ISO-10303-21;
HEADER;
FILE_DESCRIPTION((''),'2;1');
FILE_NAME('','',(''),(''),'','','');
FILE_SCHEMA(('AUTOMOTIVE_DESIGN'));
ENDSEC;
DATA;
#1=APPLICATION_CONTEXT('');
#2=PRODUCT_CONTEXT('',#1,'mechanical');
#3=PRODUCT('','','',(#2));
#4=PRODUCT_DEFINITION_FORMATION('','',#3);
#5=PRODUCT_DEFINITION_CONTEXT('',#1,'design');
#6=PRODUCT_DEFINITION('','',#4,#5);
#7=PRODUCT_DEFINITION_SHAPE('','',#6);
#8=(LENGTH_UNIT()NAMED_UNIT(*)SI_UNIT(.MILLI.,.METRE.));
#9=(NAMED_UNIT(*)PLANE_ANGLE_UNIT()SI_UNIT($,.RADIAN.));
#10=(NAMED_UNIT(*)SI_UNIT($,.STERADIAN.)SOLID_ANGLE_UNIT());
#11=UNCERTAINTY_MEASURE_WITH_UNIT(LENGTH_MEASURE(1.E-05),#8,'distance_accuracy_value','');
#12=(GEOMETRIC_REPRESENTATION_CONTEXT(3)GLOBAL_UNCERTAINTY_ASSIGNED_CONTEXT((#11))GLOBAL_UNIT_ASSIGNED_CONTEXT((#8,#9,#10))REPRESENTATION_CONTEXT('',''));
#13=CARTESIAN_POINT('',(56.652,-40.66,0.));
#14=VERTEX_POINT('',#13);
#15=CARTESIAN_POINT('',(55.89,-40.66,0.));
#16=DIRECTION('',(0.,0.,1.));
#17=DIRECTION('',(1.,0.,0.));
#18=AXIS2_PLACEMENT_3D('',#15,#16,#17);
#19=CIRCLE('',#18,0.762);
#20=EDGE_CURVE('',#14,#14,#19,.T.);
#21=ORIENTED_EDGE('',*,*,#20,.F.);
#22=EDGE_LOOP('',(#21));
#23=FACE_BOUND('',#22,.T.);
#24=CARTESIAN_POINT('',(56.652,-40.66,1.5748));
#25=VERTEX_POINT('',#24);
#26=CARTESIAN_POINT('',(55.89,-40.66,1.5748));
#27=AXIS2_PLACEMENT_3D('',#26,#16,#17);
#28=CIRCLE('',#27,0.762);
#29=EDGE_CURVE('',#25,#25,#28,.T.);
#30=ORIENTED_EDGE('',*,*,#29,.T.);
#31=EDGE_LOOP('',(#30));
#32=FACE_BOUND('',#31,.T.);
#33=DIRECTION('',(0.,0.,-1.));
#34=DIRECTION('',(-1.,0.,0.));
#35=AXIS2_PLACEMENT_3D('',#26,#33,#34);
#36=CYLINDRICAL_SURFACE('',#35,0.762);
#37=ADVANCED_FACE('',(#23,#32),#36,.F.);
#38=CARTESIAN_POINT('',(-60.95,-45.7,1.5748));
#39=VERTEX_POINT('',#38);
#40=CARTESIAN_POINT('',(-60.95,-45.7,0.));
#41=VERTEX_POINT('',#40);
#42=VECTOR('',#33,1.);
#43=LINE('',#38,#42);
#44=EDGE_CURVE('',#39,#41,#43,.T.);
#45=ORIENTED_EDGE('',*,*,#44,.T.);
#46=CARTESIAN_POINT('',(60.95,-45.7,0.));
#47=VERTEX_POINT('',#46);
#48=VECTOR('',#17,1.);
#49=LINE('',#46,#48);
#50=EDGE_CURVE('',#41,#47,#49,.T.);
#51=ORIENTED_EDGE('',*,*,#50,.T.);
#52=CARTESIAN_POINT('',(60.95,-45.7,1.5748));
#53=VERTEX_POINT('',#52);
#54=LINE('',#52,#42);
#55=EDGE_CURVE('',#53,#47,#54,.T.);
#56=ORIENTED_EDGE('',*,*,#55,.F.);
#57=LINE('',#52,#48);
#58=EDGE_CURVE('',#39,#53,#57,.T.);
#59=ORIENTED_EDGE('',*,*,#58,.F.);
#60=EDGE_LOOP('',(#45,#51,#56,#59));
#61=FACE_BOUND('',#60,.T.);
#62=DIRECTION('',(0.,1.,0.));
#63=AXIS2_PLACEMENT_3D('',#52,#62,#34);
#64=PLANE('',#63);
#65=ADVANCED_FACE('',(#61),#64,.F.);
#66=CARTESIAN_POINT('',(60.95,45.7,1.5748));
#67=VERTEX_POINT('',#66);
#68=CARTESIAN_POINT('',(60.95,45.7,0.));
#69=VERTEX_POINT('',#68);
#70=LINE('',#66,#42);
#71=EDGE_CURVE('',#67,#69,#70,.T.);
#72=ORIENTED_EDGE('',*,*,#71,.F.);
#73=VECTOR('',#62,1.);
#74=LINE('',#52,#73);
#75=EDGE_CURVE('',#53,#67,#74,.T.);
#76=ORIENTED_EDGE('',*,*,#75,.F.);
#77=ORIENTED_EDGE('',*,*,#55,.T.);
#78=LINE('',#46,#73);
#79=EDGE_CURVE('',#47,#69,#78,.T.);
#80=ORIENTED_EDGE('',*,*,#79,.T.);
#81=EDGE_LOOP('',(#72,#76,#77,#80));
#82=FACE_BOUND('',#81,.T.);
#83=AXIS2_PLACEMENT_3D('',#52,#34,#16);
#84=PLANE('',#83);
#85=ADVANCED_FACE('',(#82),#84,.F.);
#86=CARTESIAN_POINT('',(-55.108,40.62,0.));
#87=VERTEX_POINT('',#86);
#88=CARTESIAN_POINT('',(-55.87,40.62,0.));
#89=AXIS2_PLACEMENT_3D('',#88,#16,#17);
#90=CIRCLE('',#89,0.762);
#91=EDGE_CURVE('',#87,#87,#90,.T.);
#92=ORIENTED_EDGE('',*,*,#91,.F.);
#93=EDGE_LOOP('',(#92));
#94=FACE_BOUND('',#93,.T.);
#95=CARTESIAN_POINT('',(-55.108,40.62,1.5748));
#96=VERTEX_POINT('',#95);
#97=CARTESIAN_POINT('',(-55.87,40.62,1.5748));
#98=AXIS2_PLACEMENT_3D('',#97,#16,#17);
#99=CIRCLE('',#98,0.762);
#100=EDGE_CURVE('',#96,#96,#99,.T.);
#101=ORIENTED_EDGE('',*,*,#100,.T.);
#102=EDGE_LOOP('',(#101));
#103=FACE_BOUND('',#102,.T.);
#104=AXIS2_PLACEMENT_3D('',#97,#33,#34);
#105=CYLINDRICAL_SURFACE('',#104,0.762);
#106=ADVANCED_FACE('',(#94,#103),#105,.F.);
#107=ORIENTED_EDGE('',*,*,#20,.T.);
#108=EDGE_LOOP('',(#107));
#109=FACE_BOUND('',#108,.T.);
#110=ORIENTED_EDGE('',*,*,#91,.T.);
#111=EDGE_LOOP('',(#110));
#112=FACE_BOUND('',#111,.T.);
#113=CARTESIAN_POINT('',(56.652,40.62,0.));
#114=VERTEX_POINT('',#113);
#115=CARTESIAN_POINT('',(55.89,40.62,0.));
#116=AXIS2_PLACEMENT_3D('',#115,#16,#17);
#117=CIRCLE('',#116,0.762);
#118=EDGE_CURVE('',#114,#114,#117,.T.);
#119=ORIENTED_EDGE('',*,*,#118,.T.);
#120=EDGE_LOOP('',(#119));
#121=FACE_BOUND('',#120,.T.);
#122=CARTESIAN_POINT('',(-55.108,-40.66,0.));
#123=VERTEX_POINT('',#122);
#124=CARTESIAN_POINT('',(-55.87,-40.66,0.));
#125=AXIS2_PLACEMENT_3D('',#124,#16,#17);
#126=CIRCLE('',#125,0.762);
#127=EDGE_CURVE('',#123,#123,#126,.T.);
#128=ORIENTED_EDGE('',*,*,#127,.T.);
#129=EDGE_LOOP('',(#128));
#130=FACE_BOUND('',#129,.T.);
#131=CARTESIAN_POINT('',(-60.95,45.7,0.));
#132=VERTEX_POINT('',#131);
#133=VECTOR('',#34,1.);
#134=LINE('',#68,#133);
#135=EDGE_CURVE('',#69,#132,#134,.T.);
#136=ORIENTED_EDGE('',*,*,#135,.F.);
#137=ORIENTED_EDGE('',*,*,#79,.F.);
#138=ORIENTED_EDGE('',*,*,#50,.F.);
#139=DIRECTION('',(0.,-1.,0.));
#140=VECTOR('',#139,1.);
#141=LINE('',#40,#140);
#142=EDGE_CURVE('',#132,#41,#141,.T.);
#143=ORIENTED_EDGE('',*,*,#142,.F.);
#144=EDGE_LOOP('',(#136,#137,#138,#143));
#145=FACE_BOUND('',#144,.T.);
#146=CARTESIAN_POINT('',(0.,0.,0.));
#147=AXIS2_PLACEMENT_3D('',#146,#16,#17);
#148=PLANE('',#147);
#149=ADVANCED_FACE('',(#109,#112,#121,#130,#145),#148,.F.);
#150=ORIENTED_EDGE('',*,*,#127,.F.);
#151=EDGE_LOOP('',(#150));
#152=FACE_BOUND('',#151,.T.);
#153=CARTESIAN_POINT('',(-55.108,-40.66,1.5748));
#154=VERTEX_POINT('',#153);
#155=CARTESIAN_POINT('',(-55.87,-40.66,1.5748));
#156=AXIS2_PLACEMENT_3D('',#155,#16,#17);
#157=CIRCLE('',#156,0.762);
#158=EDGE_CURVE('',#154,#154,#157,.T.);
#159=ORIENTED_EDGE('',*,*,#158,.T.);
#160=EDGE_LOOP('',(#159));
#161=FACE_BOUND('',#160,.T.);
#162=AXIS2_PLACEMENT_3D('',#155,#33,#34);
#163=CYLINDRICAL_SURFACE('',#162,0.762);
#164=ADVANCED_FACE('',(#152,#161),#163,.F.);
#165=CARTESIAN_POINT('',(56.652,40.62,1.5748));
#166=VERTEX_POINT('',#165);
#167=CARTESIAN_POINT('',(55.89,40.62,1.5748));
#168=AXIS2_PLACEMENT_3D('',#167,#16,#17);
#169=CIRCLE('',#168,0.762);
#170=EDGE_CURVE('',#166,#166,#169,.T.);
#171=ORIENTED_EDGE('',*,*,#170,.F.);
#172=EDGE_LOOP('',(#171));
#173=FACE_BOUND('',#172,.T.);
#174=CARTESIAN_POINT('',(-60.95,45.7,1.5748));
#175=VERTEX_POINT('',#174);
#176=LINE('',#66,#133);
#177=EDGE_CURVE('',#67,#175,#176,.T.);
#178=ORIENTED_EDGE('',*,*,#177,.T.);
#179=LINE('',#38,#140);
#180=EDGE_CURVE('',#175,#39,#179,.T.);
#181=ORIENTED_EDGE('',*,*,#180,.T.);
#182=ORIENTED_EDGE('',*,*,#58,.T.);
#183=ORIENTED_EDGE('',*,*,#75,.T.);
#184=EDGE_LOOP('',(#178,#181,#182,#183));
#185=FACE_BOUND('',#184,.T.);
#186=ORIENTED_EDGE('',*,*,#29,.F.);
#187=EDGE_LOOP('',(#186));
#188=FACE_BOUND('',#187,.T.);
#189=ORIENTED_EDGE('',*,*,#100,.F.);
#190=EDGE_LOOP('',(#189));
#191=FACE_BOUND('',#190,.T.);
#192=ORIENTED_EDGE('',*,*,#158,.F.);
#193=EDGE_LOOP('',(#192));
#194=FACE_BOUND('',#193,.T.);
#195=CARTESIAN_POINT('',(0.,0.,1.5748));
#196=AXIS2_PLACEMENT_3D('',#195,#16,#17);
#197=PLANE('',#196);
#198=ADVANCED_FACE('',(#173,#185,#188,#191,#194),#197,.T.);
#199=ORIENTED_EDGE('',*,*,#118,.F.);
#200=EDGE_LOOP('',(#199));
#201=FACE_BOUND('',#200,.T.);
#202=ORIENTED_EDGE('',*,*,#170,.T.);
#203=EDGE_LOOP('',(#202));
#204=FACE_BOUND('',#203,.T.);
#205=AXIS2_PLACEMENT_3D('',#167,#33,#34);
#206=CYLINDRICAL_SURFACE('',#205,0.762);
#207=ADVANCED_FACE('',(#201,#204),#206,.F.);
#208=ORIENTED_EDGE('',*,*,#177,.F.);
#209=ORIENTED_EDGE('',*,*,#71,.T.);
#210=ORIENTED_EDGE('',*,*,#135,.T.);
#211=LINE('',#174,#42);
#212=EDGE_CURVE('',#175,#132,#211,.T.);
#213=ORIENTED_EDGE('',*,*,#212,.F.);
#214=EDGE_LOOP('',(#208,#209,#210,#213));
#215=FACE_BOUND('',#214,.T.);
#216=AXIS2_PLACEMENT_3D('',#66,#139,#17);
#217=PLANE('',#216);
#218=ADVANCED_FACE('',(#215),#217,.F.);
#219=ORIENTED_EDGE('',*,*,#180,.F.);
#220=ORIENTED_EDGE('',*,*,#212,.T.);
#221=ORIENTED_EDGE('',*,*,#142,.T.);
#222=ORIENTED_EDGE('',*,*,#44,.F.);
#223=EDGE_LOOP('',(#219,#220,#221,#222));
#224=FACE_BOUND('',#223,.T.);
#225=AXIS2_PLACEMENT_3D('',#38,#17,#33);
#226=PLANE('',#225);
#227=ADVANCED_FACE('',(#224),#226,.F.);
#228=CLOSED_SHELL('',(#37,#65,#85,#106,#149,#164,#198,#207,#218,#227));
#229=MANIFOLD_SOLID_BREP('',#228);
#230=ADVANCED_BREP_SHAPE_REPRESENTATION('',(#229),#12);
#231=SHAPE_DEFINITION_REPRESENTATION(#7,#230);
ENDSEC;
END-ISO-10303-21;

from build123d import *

# Parameters (mm, degrees)
SKETCH1_W           = 121.9
SKETCH1_H           = 91.4
SKETCH1_R           = 0.762
BOSS_EXTRUDE1_DEPTH = 1.5748


with BuildPart() as part:
    # Sketch1 → Boss-Extrude1 (new body)
    with BuildSketch(Plane.XY):
        Rectangle(SKETCH1_W, SKETCH1_H)
        with Locations((-55.87, 40.62)):
            Circle(SKETCH1_R, mode=Mode.SUBTRACT)
        with Locations((55.89, 40.62)):
            Circle(SKETCH1_R, mode=Mode.SUBTRACT)
        with Locations((55.89, -40.66)):
            Circle(SKETCH1_R, mode=Mode.SUBTRACT)
        with Locations((-55.87, -40.66)):
            Circle(SKETCH1_R, mode=Mode.SUBTRACT)
    extrude(amount=BOSS_EXTRUDE1_DEPTH)


solid = part.part
